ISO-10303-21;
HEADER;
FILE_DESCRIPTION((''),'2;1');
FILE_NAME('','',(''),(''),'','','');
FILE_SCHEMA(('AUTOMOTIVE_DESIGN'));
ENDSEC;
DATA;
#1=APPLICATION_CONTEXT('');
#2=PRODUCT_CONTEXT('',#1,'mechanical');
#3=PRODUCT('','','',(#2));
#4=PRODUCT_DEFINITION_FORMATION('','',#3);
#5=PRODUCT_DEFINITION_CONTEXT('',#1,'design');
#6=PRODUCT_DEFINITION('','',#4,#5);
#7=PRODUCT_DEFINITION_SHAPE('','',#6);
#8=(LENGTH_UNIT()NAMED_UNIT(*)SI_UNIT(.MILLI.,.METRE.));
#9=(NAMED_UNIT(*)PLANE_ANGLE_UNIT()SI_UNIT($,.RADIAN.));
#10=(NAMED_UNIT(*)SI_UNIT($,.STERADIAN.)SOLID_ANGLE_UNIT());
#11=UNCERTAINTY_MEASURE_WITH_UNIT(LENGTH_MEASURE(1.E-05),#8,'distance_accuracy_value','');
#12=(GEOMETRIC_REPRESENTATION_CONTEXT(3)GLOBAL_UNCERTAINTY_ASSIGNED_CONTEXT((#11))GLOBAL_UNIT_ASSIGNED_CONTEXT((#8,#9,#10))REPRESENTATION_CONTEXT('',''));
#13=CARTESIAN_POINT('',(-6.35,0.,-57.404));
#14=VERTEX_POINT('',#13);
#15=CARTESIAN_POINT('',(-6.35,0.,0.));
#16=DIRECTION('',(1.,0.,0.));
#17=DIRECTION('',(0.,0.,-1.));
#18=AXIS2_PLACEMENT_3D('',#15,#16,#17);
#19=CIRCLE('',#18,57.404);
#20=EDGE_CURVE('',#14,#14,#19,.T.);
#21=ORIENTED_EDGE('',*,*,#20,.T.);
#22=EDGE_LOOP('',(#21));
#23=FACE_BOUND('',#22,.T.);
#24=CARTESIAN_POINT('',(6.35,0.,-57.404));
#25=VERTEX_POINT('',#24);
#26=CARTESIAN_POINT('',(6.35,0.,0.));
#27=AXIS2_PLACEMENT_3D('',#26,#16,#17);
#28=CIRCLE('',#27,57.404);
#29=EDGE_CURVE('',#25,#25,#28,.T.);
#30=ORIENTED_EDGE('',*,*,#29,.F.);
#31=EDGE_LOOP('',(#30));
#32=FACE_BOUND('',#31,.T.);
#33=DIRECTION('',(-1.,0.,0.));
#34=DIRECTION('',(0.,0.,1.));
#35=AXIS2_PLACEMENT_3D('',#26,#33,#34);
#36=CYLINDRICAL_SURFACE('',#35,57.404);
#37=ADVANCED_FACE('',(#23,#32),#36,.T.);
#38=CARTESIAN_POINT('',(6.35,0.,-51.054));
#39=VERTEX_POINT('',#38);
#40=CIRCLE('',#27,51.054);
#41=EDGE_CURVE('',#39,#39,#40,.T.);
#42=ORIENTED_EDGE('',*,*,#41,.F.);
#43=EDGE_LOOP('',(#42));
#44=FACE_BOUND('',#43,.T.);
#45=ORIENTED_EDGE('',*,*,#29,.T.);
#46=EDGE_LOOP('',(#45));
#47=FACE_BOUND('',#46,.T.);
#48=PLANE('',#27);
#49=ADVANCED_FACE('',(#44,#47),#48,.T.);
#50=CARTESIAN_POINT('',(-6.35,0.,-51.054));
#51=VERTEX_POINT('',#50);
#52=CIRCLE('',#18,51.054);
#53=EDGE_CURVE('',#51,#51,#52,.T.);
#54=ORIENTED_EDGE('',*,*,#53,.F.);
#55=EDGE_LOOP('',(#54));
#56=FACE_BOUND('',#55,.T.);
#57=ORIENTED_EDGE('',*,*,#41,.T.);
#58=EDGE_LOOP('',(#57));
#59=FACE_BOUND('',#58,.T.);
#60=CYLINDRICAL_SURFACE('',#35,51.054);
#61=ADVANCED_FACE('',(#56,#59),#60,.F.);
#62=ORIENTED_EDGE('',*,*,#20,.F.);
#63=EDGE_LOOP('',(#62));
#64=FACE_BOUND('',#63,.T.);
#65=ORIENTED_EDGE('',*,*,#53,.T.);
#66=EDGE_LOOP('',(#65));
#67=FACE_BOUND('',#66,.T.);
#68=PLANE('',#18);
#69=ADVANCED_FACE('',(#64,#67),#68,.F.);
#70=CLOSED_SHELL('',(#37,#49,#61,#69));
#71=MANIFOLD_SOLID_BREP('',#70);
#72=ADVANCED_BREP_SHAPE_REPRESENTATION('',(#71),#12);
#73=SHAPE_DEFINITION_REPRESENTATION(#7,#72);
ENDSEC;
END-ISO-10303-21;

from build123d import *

# Parameters (mm, degrees)
SKETCH1_R           = 57.404
SKETCH1_R_2         = 51.054
BOSS_EXTRUDE1_DEPTH = 6.35


with BuildPart() as part:
    # Sketch1 → Boss-Extrude1 (new body, symmetric)
    with BuildSketch(Plane(origin=(0, 0, 0), x_dir=(0, 0, -1), z_dir=(1, 0, 0))):
        Circle(SKETCH1_R)
        Circle(SKETCH1_R_2, mode=Mode.SUBTRACT)
    extrude(amount=BOSS_EXTRUDE1_DEPTH, both=True)


solid = part.part
